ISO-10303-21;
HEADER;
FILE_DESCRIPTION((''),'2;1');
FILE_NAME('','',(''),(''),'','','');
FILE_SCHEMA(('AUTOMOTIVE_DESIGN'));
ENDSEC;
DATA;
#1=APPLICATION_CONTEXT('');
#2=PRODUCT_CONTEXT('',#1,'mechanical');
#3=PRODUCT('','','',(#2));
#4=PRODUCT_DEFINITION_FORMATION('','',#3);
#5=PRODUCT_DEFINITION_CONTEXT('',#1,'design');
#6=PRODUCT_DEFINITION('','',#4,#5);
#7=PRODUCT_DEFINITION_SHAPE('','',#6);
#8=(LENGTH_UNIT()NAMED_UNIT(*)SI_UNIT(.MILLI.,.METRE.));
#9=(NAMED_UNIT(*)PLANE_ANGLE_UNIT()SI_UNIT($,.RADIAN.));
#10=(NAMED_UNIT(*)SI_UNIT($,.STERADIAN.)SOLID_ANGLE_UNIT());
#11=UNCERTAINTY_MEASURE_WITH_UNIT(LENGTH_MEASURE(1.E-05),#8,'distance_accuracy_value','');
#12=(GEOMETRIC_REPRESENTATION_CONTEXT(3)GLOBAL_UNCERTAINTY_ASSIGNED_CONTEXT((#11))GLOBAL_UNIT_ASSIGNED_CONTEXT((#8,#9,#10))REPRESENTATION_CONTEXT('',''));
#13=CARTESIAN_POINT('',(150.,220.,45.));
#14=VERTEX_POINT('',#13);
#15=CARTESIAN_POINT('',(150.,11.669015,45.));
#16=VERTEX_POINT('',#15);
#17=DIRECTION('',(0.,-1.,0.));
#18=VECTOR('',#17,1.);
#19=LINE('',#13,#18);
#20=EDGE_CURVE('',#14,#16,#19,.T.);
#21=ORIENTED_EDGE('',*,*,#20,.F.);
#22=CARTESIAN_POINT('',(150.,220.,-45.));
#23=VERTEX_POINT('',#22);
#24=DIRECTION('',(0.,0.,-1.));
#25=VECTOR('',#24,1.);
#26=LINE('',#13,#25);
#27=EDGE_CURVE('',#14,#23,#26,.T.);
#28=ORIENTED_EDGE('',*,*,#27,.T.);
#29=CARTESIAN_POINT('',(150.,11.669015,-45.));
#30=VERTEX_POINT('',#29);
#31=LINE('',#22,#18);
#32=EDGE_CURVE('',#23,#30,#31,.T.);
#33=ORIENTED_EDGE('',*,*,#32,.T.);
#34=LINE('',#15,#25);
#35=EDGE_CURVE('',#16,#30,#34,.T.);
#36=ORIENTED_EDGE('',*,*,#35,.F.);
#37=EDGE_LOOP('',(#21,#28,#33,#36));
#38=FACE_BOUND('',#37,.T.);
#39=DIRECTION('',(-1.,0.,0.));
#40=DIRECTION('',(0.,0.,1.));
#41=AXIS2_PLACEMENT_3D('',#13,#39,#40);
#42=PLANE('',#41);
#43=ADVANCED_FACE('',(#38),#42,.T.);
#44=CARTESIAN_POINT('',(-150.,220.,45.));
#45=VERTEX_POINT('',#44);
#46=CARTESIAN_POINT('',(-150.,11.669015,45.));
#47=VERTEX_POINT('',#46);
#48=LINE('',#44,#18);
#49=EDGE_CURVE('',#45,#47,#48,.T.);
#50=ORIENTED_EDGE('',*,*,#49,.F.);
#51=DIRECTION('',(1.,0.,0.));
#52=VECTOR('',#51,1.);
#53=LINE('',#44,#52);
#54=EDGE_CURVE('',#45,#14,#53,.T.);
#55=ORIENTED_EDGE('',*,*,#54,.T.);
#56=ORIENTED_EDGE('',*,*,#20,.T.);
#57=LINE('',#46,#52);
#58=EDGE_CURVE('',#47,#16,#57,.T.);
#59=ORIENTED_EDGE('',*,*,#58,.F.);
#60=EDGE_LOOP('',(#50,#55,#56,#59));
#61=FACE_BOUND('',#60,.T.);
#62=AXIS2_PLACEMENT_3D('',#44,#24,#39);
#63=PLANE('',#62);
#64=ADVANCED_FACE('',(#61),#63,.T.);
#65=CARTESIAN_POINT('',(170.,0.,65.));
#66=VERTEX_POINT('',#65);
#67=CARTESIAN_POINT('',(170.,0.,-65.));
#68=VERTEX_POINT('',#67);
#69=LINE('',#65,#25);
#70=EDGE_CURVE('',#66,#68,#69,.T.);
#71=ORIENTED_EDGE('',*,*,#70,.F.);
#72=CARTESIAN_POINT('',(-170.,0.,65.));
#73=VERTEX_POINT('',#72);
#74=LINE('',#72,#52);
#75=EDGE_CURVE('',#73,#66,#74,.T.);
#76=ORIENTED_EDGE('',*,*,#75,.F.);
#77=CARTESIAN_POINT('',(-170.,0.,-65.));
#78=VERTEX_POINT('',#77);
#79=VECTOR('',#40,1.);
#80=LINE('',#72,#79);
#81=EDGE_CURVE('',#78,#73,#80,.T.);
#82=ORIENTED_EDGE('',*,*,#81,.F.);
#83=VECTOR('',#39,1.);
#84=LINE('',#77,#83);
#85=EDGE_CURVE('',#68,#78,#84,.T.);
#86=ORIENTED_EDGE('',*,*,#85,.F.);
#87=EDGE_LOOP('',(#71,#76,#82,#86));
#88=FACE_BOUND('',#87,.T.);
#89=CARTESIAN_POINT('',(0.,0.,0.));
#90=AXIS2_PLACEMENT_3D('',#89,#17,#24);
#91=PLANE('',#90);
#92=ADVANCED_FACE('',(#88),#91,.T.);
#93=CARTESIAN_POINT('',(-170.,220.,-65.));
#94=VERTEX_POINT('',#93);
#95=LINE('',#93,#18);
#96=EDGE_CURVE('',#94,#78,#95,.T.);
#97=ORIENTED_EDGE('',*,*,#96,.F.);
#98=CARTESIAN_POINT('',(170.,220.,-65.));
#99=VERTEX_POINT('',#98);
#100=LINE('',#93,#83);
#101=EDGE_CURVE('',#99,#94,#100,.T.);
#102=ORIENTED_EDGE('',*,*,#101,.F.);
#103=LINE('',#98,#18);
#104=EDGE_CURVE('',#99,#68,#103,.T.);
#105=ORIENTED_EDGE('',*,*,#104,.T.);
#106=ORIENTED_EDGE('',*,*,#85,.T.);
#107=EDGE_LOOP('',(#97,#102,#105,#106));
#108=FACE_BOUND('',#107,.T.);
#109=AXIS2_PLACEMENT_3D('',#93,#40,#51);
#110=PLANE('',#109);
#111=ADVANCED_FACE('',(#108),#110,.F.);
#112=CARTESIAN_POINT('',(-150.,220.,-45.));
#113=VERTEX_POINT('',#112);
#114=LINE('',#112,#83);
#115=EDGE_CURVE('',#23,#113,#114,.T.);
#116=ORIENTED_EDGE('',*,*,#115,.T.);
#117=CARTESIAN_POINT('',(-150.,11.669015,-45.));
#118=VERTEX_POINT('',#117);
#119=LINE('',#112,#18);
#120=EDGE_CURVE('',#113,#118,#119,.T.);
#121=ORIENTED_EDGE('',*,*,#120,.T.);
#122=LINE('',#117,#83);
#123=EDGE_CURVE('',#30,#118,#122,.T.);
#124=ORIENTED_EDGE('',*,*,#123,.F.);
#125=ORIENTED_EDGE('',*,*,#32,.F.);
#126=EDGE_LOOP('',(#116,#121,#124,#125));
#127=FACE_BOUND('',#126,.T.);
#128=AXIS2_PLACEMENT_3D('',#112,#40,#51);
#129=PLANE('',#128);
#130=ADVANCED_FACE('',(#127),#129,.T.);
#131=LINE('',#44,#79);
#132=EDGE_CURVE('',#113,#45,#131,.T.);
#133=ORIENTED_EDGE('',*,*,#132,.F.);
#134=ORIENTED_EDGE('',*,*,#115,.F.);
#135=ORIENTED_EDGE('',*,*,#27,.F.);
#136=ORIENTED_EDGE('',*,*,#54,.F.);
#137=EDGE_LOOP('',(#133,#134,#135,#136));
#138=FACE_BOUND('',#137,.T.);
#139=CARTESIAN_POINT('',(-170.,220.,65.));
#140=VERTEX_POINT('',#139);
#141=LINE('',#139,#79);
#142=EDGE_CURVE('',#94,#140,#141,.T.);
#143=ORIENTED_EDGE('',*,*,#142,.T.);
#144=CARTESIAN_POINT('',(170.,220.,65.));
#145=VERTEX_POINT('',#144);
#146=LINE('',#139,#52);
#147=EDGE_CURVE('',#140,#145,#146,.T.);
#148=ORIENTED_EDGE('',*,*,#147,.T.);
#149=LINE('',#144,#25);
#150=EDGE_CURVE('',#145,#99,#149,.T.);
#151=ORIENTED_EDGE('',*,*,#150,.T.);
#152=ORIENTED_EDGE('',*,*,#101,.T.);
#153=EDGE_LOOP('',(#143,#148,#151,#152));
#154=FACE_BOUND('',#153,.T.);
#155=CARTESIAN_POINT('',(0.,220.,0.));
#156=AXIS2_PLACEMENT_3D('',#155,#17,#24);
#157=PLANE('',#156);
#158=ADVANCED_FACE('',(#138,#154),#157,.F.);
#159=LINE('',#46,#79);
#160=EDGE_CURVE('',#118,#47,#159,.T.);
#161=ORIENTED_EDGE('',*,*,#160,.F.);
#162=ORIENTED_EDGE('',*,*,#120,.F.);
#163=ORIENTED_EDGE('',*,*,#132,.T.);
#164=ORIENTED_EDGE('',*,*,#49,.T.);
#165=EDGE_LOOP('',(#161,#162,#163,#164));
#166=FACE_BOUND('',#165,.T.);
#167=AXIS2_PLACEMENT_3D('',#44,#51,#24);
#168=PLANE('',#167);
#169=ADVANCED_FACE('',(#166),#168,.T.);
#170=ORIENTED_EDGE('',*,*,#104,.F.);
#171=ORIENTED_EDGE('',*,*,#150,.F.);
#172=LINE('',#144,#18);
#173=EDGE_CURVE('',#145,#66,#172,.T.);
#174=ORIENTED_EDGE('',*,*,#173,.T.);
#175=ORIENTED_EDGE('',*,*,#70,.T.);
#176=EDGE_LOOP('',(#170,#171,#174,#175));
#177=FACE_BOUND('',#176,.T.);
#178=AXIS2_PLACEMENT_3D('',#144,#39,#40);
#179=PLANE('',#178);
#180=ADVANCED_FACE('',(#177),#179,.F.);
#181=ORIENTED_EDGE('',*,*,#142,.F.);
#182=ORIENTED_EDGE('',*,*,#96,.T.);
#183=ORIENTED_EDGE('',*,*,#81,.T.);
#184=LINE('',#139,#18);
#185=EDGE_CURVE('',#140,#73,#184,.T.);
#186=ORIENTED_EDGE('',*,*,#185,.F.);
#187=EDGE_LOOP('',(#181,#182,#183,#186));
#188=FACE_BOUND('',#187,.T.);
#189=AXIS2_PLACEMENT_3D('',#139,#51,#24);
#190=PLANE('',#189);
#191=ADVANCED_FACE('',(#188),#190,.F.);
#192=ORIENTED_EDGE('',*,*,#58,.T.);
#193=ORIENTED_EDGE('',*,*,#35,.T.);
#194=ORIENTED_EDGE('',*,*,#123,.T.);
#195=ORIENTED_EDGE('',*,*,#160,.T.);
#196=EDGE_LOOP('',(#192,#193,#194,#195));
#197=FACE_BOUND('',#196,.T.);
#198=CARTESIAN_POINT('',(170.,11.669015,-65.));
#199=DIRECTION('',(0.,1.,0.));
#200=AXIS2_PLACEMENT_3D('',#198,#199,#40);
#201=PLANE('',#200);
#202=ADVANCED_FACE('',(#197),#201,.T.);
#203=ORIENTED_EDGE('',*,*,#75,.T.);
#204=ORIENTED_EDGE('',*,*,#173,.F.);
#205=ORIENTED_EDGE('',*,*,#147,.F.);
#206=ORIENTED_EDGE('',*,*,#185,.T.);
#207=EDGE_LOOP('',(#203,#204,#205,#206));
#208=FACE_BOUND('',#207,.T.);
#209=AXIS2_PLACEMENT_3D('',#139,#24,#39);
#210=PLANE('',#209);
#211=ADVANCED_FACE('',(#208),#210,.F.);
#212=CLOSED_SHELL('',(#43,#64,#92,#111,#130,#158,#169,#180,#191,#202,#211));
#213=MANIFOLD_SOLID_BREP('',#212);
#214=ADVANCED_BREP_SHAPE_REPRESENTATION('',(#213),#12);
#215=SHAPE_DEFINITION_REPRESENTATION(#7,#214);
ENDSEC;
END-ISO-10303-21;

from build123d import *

# Parameters (mm, degrees)
SKETCH1_W           = 340
SKETCH1_H           = 130
SKETCH1_W_2         = 300
SKETCH1_H_2         = 90
BOSS_EXTRUDE1_DEPTH = 220
SKETCH1_2_W         = 340
SKETCH1_2_H         = 130
SKETCH1_2_W_2       = 300
SKETCH1_2_H_2       = 90
BOSS_EXTRUDE2_DEPTH = 220
BOSS_EXTRUDE3_REACH = 412.152
SKETCH2_W           = 130
SKETCH2_H           = 11.669014553


with BuildPart() as part:
    # Sketch1 → Boss-Extrude1 (new body)
    with BuildSketch(Plane(origin=(0, 0, 0), x_dir=(1, 0, 0), z_dir=(0, 1, 0))):
        Rectangle(SKETCH1_W, SKETCH1_H)
        Rectangle(SKETCH1_W_2, SKETCH1_H_2, mode=Mode.SUBTRACT)
    extrude(amount=BOSS_EXTRUDE1_DEPTH)

    # Sketch1<2> → Boss-Extrude2 (add)
    with BuildSketch(Plane(origin=(0, 0, 0), x_dir=(1, 0, 0), z_dir=(0, 1, 0))):
        Rectangle(SKETCH1_2_W, SKETCH1_2_H)
        Rectangle(SKETCH1_2_W_2, SKETCH1_2_H_2, mode=Mode.SUBTRACT)
    extrude(amount=BOSS_EXTRUDE2_DEPTH)

    # Sketch2 → Boss-Extrude3 (add, up to next)
    with BuildSketch(Plane.ZY.offset(170), mode=Mode.PRIVATE) as boss_extrude3_sk1:
        with Locations((0, 5.834507277)):
            Rectangle(SKETCH2_W, SKETCH2_H)
    boss_extrude3_tool1 = extrude(boss_extrude3_sk1.sketch, amount=-BOSS_EXTRUDE3_REACH, mode=Mode.PRIVATE) - part.part
    add(boss_extrude3_tool1.solids().sort_by_distance((-170, 5.834507, 0))[0])


solid = part.part
